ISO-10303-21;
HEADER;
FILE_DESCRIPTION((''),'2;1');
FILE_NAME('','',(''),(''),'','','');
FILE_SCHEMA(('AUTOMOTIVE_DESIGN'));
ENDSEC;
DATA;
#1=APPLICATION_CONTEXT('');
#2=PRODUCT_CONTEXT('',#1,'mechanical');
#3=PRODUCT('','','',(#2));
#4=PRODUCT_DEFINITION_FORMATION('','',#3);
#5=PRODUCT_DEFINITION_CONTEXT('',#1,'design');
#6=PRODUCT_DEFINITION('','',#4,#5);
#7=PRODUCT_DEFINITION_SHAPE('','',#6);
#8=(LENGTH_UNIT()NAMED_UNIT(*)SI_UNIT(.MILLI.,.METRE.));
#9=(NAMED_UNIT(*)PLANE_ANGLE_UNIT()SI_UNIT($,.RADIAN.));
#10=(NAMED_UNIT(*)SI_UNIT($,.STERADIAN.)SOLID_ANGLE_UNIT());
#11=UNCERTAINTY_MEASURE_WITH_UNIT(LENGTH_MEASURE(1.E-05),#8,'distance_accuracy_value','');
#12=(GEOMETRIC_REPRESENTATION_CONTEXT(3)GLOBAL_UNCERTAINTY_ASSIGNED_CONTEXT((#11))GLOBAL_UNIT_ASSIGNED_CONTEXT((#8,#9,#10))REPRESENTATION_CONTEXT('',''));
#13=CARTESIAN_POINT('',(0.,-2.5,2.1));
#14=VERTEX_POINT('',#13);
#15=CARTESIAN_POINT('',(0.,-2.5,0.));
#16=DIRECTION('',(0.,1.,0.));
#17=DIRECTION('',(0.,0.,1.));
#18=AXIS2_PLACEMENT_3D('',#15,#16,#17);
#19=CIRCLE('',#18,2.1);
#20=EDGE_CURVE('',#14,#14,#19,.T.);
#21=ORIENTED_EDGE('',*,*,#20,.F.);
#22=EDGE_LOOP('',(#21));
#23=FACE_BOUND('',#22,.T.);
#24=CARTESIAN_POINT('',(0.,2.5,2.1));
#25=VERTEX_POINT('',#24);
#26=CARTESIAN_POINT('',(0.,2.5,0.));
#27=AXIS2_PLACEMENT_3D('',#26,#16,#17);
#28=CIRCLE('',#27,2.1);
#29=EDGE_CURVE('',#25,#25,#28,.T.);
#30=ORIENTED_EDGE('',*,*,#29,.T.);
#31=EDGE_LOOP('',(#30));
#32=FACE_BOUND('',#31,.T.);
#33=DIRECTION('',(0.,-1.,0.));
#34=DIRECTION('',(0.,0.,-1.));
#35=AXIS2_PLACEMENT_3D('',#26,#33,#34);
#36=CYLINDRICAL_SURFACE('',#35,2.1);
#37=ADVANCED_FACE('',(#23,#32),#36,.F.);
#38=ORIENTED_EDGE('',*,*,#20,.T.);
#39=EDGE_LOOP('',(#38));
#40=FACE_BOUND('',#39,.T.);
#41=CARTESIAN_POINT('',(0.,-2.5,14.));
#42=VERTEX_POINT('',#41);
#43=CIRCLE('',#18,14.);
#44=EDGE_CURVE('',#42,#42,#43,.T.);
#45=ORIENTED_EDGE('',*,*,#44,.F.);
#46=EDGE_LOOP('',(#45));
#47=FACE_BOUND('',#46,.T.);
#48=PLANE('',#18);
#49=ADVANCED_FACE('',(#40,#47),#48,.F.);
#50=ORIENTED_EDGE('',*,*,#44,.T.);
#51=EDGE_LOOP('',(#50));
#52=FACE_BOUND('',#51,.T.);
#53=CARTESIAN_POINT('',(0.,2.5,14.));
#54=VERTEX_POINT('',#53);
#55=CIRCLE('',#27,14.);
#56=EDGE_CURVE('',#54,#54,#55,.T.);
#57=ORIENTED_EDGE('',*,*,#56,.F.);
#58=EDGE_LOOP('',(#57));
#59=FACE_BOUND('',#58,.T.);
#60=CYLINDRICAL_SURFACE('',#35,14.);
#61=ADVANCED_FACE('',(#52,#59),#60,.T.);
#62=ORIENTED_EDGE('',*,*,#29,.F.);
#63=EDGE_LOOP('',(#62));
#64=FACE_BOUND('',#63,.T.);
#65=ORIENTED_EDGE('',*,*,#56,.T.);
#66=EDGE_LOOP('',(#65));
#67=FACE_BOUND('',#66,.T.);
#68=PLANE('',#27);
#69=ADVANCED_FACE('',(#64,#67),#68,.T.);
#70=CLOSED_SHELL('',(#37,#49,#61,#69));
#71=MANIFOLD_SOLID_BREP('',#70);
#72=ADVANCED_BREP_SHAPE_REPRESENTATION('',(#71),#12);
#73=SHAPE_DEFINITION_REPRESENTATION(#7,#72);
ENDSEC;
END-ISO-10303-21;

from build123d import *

# Parameters (mm, degrees)
SKETCH1_R           = 14
SKETCH1_R_2         = 2.1
BOSS_EXTRUDE1_DEPTH = 2.5


with BuildPart() as part:
    # Sketch1 → Boss-Extrude1 (new, symmetric)
    with BuildSketch(Plane(origin=(0, 0, 0), x_dir=(1, 0, 0), z_dir=(0, 1, 0))):
        with Locations(Location((0, 0, 0), (0, 0, 270))):
            Circle(SKETCH1_R)
        with Locations(Location((0, 0, 0), (0, 0, 270))):
            Circle(SKETCH1_R_2, mode=Mode.SUBTRACT)
    extrude(amount=BOSS_EXTRUDE1_DEPTH, both=True)


solid = part.part
